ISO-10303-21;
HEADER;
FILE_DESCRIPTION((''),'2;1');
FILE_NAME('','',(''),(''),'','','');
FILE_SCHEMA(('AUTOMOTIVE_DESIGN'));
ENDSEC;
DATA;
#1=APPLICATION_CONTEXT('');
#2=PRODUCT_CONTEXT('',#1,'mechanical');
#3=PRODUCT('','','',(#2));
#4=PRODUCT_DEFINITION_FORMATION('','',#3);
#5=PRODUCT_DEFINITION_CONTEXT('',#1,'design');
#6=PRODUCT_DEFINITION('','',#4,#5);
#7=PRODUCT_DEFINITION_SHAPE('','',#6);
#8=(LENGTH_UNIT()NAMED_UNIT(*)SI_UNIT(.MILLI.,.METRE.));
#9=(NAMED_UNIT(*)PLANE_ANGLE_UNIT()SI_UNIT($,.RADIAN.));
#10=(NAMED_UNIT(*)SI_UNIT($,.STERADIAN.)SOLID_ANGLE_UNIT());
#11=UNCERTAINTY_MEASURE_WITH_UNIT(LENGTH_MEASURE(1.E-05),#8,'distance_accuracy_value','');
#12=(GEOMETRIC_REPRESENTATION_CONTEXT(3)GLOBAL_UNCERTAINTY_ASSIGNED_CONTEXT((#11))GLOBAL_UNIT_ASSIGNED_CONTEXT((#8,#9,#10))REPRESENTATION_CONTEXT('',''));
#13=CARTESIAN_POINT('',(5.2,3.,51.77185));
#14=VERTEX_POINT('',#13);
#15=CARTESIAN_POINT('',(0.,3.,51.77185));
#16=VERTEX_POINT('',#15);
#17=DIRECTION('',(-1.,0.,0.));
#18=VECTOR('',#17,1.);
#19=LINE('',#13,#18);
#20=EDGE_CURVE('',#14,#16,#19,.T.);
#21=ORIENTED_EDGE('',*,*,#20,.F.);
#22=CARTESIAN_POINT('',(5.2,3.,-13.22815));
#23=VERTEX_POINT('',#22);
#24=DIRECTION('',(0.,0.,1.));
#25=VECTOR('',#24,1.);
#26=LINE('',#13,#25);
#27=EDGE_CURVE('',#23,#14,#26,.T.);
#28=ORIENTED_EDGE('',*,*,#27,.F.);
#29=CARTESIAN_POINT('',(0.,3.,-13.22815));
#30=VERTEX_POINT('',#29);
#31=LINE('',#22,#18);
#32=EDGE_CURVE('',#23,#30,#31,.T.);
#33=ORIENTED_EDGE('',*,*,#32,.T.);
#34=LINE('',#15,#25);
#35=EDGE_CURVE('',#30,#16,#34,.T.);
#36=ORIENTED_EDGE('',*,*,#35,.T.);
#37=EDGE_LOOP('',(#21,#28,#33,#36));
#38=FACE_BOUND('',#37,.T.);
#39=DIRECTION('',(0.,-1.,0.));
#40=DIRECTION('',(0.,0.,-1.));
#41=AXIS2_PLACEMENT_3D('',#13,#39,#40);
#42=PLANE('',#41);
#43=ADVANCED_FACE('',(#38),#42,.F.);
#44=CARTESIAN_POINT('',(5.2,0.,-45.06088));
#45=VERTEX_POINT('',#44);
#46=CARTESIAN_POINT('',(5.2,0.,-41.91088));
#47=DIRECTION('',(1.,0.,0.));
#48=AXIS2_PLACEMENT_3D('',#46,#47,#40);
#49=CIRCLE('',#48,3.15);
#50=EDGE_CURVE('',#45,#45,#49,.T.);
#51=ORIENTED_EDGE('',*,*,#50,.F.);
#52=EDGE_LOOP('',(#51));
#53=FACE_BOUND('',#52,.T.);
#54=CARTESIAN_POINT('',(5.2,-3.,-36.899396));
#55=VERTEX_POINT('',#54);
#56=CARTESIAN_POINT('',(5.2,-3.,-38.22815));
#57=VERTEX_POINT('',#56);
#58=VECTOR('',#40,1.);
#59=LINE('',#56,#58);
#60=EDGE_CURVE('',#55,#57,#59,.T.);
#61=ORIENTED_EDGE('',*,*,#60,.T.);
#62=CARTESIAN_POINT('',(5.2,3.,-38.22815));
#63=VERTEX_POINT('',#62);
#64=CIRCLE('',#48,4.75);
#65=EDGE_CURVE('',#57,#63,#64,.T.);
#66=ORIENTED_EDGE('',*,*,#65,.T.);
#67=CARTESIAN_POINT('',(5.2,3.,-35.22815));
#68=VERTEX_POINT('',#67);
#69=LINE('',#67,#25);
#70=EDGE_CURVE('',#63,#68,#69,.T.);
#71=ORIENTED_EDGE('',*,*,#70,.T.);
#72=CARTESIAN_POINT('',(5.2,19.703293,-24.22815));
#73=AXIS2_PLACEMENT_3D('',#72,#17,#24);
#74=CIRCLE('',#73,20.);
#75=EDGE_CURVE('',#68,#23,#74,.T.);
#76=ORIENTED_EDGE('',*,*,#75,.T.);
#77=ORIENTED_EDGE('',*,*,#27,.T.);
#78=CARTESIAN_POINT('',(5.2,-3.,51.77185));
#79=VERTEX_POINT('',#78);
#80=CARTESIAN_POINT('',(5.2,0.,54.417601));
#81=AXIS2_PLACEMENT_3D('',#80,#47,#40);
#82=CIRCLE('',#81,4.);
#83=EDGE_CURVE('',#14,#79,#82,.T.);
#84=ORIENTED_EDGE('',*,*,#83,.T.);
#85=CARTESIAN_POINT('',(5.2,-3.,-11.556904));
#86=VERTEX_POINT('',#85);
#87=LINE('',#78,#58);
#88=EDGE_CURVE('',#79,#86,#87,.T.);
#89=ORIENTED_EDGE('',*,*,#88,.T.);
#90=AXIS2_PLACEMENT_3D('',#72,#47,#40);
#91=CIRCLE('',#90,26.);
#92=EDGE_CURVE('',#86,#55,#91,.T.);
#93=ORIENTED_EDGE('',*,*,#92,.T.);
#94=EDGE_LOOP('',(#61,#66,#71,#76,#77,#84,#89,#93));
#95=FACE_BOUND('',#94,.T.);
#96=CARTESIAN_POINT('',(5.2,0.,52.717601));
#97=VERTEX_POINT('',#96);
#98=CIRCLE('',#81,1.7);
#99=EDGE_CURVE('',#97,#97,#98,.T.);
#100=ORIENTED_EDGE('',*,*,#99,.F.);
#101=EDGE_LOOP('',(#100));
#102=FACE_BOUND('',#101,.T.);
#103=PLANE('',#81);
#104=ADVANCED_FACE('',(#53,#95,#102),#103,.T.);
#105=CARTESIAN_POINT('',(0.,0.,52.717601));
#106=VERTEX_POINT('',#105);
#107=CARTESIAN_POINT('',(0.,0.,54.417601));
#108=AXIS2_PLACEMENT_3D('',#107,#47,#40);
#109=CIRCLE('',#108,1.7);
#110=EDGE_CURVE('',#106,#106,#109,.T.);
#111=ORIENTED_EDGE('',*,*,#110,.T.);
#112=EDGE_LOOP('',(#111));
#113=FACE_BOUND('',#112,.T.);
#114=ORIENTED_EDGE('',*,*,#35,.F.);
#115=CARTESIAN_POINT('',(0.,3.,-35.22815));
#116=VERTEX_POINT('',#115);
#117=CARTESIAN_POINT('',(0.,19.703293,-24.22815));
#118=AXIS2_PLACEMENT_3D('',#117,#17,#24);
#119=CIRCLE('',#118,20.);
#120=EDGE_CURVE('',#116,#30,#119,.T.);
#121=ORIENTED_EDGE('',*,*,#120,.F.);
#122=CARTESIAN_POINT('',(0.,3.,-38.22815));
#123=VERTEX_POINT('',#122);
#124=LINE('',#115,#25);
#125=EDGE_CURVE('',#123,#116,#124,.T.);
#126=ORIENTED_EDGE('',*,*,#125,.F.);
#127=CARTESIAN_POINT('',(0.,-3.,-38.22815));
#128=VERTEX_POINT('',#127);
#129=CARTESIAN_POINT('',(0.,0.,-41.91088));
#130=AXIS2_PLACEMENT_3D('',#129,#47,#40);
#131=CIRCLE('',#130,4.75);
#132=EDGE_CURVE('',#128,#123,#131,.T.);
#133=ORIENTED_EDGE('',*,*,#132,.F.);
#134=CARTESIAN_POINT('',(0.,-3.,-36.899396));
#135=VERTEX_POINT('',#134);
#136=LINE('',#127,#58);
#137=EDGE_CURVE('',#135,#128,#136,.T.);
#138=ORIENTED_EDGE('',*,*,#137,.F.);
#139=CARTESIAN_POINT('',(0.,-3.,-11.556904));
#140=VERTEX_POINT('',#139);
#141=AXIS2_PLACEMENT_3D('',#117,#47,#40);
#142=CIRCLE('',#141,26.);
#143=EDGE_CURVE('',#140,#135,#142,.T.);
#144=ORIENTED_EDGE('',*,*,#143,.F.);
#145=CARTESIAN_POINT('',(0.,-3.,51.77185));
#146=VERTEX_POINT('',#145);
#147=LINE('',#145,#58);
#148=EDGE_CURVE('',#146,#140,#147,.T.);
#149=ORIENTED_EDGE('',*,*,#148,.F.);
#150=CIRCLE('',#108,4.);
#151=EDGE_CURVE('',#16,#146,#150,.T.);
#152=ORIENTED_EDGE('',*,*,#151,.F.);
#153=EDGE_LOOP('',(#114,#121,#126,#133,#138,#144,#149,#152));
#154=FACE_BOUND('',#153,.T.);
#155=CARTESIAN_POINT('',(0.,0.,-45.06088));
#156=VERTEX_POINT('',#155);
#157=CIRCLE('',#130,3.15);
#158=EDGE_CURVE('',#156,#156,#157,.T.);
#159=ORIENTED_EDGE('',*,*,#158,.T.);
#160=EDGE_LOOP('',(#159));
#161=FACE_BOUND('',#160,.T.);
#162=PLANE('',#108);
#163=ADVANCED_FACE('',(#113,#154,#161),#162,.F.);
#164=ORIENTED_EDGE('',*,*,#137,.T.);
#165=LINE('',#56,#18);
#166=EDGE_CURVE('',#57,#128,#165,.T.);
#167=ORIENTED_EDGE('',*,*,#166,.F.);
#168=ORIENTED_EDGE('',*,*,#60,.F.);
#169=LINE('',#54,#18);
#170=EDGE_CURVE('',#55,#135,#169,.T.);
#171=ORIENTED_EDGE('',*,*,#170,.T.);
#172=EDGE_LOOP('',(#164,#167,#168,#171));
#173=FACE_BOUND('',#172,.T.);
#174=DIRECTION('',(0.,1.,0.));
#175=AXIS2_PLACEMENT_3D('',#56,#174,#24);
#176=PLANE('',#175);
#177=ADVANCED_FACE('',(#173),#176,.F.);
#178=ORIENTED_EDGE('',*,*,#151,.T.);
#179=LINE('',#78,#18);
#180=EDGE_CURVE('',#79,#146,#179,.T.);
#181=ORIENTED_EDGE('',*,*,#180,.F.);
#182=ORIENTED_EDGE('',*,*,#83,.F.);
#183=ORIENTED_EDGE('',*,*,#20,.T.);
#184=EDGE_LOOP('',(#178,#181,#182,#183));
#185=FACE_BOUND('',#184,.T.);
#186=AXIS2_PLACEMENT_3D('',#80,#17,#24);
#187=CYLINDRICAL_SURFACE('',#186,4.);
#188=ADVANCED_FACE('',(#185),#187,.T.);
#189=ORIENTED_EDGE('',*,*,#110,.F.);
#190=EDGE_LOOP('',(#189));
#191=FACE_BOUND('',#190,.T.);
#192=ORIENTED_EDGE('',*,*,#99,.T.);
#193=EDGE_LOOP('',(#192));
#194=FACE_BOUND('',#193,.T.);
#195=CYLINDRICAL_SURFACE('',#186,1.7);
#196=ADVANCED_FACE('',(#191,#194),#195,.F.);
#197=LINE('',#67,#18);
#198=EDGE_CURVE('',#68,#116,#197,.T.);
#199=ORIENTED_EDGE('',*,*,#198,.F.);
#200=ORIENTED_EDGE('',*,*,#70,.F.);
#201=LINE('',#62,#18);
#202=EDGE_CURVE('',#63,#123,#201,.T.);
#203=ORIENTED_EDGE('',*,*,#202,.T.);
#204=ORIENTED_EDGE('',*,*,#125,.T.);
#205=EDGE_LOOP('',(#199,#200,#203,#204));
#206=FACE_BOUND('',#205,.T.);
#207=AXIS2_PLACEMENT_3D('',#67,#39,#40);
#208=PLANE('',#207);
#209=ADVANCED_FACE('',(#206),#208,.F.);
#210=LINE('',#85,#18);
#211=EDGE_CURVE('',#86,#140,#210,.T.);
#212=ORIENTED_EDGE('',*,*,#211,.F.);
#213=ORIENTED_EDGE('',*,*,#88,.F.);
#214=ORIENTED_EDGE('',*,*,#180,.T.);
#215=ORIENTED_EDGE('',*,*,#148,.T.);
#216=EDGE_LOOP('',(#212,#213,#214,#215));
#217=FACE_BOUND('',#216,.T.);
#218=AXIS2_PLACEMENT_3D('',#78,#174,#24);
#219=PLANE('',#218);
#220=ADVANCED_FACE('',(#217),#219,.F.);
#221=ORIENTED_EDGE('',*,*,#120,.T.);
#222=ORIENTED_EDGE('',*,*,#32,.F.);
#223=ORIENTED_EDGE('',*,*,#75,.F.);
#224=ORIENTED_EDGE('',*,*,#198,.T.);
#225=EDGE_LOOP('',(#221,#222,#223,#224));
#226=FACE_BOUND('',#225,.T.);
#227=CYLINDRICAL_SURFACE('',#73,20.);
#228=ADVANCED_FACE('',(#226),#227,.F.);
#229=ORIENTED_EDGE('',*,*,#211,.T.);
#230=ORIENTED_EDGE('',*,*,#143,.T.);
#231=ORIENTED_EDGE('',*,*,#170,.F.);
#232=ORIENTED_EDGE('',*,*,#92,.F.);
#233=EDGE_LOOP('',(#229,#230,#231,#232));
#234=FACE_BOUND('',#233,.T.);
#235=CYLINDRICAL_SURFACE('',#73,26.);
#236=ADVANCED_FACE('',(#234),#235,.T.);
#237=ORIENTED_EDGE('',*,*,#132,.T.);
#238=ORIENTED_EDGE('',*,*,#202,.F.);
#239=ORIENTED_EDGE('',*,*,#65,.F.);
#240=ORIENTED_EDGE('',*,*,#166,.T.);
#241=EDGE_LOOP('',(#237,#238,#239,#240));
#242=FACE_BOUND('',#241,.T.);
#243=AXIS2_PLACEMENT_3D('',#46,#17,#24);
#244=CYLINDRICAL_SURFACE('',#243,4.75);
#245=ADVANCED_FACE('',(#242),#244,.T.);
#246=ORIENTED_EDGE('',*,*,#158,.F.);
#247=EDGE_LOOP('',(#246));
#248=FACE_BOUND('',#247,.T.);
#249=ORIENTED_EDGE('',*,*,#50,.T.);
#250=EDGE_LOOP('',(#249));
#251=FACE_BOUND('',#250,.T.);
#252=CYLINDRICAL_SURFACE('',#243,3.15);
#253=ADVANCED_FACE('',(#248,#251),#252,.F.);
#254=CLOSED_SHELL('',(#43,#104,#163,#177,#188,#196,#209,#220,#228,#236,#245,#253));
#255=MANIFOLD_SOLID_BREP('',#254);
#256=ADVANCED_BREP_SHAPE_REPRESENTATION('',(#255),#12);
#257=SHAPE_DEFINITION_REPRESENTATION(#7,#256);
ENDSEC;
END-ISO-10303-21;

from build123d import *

# Parameters (mm, degrees)
SKETCH_1_R      = 3.15
SKETCH_1_R_2    = 1.7
EXTRUDE_1_DEPTH = 5.2


with BuildPart() as part:
    # Эскиз1 → Бобышка-Вытянуть1 (new body)
    with BuildSketch(Plane(origin=(0, 0, 0), x_dir=(0, 0, -1), z_dir=(1, 0, 0))):
        with BuildLine():
            Line((35.228149956, 3), (38.228149956, 3))
            ThreePointArc((38.228149956, 3), (46.660879922, 0), (38.228149956, -3))
            Line((38.228149956, -3), (36.899396262, -3))
            ThreePointArc((36.899396262, -3), (24.228149956, -6.296706912), (11.55690365, -3))
            Line((11.55690365, -3), (-51.771850044, -3))
            ThreePointArc((-51.771850044, -3), (-58.417601355, 0), (-51.771850044, 3))
            Line((-51.771850044, 3), (13.228149956, 3))
            ThreePointArc((13.228149956, 3), (24.228149956, -0.296706912), (35.228149956, 3))
        make_face()
        with Locations((41.910879922, 0)):
            Circle(SKETCH_1_R, mode=Mode.SUBTRACT)
        with Locations((-54.417601355, 0)):
            Circle(SKETCH_1_R_2, mode=Mode.SUBTRACT)
    extrude(amount=EXTRUDE_1_DEPTH)


solid = part.part
